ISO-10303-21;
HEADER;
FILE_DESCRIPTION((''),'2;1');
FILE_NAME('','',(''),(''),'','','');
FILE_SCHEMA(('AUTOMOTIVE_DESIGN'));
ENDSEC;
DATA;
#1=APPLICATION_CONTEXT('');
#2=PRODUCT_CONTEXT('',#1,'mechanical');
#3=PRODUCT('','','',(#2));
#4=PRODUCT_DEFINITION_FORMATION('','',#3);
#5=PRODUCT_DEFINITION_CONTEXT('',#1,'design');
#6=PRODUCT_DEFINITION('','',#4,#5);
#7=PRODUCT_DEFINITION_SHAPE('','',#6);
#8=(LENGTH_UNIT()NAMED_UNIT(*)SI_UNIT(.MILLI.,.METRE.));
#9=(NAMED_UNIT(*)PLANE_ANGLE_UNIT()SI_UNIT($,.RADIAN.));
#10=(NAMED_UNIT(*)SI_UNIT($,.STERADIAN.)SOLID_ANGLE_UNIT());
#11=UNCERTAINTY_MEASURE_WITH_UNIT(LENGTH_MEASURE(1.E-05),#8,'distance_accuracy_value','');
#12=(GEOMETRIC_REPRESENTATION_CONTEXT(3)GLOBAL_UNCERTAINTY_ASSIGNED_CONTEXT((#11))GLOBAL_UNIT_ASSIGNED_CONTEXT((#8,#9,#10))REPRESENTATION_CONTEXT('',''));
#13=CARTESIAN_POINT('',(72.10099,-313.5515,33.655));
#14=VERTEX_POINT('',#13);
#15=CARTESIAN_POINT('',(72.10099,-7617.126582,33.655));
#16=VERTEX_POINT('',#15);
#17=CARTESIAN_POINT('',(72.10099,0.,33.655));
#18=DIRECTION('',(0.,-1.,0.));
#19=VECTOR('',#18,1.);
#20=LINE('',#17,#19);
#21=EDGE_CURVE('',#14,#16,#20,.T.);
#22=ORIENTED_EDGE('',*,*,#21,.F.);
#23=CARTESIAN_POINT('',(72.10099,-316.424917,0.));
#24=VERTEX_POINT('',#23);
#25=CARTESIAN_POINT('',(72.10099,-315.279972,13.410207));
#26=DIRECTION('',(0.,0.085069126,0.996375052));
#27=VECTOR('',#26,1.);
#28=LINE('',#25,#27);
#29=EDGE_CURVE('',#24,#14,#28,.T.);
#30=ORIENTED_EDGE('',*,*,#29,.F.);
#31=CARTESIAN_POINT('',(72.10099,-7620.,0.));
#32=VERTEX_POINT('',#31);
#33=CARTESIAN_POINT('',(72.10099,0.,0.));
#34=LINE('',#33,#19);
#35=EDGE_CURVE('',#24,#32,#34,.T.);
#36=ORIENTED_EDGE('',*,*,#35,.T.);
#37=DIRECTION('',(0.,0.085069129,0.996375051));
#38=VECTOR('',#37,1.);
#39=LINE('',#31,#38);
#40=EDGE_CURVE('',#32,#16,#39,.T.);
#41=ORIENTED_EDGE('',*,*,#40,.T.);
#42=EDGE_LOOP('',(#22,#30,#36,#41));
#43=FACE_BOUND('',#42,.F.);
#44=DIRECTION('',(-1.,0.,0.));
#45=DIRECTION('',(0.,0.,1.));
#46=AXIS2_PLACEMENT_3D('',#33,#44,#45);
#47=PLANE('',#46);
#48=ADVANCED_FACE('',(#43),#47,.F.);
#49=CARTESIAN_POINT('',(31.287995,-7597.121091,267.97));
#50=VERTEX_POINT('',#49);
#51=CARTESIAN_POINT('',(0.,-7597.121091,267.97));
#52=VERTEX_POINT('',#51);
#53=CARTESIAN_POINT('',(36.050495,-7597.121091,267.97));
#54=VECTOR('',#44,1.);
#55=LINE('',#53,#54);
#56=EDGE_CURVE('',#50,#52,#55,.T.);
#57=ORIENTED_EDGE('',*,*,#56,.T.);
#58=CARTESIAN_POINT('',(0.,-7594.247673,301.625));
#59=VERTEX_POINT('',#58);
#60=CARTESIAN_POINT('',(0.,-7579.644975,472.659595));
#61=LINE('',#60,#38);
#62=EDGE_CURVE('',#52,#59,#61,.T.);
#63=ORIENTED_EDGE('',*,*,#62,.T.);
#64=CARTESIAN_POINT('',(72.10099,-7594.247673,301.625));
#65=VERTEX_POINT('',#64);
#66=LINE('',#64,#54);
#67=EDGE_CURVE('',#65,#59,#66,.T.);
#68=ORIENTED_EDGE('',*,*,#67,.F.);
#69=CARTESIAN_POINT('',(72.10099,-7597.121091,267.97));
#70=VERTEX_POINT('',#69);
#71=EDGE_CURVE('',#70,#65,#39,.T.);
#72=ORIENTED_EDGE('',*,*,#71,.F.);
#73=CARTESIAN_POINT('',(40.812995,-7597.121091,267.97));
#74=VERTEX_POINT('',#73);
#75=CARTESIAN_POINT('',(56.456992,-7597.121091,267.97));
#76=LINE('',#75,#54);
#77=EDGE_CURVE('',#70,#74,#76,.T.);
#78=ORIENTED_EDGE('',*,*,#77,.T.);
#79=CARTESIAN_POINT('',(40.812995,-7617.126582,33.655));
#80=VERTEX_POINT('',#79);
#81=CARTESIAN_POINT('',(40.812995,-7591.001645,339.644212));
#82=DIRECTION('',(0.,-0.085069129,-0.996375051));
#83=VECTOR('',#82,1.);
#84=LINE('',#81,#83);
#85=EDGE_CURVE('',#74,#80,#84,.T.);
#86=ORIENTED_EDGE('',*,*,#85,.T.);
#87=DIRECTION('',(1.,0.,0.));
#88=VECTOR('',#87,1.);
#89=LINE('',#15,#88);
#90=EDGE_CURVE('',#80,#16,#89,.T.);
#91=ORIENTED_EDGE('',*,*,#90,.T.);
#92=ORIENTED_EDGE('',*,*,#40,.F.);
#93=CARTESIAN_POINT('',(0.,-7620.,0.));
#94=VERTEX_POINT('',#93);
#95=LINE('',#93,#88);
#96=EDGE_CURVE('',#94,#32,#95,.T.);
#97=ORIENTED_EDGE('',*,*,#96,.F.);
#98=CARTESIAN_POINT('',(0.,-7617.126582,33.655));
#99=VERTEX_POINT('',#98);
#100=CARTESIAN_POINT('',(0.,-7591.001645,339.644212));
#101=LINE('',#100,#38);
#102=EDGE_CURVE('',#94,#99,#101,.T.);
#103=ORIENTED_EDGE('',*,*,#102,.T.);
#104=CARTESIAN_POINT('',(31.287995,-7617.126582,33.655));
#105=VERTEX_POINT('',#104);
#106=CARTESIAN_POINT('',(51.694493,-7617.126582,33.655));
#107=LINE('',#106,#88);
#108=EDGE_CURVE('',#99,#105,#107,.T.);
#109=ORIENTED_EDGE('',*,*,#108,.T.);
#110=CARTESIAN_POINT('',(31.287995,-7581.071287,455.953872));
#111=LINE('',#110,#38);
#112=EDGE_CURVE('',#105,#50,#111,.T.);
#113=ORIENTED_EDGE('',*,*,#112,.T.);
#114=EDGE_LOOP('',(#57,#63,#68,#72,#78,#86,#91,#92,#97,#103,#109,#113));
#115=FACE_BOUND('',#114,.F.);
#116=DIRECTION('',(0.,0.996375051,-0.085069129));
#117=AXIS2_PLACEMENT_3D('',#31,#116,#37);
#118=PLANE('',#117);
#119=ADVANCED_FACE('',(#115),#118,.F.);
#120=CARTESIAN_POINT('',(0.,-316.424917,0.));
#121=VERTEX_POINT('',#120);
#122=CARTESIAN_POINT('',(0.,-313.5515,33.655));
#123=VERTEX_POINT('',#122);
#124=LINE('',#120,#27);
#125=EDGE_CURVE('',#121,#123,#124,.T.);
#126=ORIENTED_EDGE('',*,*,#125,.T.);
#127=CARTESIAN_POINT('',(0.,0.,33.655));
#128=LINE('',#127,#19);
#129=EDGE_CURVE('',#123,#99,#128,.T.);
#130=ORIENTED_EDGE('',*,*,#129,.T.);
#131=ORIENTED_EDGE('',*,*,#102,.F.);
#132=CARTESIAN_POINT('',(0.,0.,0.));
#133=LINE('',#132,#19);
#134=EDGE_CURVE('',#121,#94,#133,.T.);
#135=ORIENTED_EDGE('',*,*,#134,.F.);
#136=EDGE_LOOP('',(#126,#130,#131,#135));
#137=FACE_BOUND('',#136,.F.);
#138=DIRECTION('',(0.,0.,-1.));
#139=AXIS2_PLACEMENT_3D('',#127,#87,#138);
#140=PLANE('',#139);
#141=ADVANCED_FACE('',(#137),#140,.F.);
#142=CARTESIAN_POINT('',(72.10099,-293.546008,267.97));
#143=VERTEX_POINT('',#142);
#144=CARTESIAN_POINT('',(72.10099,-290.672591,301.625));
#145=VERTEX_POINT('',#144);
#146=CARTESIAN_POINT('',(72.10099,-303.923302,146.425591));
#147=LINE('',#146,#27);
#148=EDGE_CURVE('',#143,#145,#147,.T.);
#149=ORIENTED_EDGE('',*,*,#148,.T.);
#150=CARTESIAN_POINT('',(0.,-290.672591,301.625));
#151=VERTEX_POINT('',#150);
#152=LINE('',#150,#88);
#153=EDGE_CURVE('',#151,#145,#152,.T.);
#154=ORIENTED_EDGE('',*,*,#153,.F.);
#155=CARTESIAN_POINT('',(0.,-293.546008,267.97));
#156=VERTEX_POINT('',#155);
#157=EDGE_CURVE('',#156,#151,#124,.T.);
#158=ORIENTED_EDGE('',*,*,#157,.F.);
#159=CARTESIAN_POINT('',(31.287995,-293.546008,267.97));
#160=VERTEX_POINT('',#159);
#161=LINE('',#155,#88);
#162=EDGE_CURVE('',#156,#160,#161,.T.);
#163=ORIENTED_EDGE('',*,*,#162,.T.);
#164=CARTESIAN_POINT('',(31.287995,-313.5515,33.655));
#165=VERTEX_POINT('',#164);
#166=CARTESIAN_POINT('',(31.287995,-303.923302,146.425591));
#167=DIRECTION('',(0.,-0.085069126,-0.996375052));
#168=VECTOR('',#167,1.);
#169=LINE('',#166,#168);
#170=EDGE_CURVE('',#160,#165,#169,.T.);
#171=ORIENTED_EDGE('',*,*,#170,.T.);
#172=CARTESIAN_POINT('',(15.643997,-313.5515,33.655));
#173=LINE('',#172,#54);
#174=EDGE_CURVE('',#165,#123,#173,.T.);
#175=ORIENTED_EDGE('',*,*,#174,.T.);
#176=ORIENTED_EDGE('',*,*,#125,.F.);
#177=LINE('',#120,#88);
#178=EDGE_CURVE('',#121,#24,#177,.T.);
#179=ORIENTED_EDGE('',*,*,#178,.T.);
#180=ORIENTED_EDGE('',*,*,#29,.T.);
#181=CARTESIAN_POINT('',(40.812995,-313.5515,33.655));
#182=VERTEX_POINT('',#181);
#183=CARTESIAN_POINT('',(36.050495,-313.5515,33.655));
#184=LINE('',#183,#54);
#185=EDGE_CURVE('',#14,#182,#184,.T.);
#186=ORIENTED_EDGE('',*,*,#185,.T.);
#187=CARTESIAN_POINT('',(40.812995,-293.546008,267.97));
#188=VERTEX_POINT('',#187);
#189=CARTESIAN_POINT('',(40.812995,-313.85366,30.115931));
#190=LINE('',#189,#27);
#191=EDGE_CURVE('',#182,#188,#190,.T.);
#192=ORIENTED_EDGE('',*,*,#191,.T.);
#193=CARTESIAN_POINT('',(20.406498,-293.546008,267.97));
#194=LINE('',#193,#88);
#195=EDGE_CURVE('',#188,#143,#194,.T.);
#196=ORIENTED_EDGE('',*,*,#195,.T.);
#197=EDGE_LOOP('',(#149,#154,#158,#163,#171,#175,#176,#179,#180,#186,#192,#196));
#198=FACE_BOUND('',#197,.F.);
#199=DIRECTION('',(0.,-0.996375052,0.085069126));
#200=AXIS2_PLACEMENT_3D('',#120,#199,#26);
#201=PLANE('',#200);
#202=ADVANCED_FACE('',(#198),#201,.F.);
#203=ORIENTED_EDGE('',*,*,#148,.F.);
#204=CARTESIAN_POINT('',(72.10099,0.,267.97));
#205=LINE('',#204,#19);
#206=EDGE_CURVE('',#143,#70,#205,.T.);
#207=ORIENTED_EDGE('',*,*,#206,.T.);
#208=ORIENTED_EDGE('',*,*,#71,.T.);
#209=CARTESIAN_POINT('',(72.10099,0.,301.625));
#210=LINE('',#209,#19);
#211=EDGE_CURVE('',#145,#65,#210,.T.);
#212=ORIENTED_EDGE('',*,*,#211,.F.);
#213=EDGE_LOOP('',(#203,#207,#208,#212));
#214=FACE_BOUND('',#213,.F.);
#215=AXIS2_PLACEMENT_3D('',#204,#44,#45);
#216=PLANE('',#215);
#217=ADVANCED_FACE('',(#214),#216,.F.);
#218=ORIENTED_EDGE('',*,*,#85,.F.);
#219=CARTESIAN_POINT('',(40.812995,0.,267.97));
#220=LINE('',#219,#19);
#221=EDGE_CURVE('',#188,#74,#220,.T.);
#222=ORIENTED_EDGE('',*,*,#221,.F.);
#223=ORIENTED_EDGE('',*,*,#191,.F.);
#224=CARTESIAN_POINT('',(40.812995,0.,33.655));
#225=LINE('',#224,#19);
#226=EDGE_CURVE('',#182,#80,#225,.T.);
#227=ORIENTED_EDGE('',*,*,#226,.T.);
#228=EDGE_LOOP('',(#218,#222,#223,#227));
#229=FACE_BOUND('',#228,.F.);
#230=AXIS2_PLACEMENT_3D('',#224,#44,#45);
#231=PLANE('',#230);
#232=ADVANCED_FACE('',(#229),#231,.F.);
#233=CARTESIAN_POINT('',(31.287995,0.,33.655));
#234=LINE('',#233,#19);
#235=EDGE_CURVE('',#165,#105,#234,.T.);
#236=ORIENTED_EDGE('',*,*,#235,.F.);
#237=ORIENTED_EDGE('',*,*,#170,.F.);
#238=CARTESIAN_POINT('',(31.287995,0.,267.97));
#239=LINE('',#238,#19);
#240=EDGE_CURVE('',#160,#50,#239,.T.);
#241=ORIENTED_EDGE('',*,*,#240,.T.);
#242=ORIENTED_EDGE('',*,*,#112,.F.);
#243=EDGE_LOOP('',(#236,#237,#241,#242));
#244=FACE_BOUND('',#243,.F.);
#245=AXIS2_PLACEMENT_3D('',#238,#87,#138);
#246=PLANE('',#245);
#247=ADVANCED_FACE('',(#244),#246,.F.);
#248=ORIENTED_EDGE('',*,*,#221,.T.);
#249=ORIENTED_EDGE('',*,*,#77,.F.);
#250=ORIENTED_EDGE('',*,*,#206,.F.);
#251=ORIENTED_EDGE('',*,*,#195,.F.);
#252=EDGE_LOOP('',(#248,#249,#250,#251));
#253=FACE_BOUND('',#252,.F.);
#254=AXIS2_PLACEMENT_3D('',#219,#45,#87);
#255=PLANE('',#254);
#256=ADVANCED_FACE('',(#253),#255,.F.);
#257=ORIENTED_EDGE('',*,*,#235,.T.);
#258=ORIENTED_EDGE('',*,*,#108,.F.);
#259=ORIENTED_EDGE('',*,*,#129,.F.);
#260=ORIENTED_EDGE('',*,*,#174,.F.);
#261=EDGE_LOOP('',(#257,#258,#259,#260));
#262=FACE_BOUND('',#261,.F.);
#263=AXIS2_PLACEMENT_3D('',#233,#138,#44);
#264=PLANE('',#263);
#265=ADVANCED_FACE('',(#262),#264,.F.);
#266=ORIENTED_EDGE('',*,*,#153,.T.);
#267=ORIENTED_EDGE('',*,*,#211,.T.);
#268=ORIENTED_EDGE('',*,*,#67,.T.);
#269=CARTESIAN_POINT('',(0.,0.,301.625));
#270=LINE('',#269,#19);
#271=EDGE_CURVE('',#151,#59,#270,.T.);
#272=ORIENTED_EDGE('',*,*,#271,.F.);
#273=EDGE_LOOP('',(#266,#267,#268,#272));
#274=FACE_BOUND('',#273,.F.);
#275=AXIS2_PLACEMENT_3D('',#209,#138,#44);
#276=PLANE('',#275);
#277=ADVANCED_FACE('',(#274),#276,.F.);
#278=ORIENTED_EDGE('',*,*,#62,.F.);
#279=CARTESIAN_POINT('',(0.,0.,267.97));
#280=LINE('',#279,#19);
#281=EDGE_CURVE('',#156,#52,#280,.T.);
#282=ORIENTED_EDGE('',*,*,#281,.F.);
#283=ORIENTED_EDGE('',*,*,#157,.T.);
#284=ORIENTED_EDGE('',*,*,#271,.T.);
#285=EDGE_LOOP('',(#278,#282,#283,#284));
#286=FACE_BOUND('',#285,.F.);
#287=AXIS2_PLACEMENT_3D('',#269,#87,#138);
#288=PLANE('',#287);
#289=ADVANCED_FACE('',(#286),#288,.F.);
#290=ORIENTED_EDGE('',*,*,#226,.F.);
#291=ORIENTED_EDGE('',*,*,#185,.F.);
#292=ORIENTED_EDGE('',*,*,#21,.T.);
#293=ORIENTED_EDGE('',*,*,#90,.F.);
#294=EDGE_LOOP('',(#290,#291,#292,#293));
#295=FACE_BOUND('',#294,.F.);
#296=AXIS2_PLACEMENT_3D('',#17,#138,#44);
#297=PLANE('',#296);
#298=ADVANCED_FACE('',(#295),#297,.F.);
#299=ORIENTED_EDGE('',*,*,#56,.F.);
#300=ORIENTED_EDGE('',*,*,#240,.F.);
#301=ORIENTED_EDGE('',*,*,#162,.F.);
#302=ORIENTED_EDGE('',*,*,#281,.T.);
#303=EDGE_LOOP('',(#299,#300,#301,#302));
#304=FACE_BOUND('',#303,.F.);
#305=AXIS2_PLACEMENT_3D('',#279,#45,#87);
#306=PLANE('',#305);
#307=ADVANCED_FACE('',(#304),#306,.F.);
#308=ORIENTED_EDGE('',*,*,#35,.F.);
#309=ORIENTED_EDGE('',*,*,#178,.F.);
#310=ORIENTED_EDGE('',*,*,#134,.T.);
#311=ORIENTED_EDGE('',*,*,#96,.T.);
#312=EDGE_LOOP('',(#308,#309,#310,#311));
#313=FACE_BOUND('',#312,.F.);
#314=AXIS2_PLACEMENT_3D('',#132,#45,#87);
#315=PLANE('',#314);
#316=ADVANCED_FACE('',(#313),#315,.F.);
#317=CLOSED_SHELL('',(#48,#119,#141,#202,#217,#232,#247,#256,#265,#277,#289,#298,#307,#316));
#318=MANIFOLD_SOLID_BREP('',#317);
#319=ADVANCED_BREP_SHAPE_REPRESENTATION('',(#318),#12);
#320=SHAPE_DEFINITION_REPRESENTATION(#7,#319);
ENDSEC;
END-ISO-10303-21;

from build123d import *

# Parameters (mm, degrees)
F1_DEPTH = 7620
F3_DEPTH = 72.10199
F5_DEPTH = 72.10199


with BuildPart() as f1:
    # F0 (on Front) → F1 (new body)
    with BuildSketch(Plane.XZ):
        Polygon((0, 33.655), (0, 0), (72.10099, 0), (72.10099, 33.655), (40.812995, 33.655), (40.812995, 267.97), (72.10099, 267.97), (72.10099, 301.625), (0, 301.625), (0, 267.97), (31.287995, 267.97), (31.287995, 33.655), align=None)
    extrude(amount=F1_DEPTH)

    # F2 (on face) → F3 (cut, through all)
    with BuildSketch(Plane.YZ.offset(72.10099)):
        Polygon((-7620, 301.625), (-7620, 0), (-7594.247673, 301.625), align=None)
    extrude(amount=-F3_DEPTH, mode=Mode.SUBTRACT)

    # F4 (on face) → F5 (cut, through all)
    with BuildSketch(Plane(origin=(0, 0, 0), x_dir=(0, -1, 0), z_dir=(-1, 0, 0))):
        Polygon((0, 0), (316.424917, 0), (290.672591, 301.625), (0, 301.625), align=None)
    extrude(amount=-F5_DEPTH, mode=Mode.SUBTRACT)


solid = f1.part
